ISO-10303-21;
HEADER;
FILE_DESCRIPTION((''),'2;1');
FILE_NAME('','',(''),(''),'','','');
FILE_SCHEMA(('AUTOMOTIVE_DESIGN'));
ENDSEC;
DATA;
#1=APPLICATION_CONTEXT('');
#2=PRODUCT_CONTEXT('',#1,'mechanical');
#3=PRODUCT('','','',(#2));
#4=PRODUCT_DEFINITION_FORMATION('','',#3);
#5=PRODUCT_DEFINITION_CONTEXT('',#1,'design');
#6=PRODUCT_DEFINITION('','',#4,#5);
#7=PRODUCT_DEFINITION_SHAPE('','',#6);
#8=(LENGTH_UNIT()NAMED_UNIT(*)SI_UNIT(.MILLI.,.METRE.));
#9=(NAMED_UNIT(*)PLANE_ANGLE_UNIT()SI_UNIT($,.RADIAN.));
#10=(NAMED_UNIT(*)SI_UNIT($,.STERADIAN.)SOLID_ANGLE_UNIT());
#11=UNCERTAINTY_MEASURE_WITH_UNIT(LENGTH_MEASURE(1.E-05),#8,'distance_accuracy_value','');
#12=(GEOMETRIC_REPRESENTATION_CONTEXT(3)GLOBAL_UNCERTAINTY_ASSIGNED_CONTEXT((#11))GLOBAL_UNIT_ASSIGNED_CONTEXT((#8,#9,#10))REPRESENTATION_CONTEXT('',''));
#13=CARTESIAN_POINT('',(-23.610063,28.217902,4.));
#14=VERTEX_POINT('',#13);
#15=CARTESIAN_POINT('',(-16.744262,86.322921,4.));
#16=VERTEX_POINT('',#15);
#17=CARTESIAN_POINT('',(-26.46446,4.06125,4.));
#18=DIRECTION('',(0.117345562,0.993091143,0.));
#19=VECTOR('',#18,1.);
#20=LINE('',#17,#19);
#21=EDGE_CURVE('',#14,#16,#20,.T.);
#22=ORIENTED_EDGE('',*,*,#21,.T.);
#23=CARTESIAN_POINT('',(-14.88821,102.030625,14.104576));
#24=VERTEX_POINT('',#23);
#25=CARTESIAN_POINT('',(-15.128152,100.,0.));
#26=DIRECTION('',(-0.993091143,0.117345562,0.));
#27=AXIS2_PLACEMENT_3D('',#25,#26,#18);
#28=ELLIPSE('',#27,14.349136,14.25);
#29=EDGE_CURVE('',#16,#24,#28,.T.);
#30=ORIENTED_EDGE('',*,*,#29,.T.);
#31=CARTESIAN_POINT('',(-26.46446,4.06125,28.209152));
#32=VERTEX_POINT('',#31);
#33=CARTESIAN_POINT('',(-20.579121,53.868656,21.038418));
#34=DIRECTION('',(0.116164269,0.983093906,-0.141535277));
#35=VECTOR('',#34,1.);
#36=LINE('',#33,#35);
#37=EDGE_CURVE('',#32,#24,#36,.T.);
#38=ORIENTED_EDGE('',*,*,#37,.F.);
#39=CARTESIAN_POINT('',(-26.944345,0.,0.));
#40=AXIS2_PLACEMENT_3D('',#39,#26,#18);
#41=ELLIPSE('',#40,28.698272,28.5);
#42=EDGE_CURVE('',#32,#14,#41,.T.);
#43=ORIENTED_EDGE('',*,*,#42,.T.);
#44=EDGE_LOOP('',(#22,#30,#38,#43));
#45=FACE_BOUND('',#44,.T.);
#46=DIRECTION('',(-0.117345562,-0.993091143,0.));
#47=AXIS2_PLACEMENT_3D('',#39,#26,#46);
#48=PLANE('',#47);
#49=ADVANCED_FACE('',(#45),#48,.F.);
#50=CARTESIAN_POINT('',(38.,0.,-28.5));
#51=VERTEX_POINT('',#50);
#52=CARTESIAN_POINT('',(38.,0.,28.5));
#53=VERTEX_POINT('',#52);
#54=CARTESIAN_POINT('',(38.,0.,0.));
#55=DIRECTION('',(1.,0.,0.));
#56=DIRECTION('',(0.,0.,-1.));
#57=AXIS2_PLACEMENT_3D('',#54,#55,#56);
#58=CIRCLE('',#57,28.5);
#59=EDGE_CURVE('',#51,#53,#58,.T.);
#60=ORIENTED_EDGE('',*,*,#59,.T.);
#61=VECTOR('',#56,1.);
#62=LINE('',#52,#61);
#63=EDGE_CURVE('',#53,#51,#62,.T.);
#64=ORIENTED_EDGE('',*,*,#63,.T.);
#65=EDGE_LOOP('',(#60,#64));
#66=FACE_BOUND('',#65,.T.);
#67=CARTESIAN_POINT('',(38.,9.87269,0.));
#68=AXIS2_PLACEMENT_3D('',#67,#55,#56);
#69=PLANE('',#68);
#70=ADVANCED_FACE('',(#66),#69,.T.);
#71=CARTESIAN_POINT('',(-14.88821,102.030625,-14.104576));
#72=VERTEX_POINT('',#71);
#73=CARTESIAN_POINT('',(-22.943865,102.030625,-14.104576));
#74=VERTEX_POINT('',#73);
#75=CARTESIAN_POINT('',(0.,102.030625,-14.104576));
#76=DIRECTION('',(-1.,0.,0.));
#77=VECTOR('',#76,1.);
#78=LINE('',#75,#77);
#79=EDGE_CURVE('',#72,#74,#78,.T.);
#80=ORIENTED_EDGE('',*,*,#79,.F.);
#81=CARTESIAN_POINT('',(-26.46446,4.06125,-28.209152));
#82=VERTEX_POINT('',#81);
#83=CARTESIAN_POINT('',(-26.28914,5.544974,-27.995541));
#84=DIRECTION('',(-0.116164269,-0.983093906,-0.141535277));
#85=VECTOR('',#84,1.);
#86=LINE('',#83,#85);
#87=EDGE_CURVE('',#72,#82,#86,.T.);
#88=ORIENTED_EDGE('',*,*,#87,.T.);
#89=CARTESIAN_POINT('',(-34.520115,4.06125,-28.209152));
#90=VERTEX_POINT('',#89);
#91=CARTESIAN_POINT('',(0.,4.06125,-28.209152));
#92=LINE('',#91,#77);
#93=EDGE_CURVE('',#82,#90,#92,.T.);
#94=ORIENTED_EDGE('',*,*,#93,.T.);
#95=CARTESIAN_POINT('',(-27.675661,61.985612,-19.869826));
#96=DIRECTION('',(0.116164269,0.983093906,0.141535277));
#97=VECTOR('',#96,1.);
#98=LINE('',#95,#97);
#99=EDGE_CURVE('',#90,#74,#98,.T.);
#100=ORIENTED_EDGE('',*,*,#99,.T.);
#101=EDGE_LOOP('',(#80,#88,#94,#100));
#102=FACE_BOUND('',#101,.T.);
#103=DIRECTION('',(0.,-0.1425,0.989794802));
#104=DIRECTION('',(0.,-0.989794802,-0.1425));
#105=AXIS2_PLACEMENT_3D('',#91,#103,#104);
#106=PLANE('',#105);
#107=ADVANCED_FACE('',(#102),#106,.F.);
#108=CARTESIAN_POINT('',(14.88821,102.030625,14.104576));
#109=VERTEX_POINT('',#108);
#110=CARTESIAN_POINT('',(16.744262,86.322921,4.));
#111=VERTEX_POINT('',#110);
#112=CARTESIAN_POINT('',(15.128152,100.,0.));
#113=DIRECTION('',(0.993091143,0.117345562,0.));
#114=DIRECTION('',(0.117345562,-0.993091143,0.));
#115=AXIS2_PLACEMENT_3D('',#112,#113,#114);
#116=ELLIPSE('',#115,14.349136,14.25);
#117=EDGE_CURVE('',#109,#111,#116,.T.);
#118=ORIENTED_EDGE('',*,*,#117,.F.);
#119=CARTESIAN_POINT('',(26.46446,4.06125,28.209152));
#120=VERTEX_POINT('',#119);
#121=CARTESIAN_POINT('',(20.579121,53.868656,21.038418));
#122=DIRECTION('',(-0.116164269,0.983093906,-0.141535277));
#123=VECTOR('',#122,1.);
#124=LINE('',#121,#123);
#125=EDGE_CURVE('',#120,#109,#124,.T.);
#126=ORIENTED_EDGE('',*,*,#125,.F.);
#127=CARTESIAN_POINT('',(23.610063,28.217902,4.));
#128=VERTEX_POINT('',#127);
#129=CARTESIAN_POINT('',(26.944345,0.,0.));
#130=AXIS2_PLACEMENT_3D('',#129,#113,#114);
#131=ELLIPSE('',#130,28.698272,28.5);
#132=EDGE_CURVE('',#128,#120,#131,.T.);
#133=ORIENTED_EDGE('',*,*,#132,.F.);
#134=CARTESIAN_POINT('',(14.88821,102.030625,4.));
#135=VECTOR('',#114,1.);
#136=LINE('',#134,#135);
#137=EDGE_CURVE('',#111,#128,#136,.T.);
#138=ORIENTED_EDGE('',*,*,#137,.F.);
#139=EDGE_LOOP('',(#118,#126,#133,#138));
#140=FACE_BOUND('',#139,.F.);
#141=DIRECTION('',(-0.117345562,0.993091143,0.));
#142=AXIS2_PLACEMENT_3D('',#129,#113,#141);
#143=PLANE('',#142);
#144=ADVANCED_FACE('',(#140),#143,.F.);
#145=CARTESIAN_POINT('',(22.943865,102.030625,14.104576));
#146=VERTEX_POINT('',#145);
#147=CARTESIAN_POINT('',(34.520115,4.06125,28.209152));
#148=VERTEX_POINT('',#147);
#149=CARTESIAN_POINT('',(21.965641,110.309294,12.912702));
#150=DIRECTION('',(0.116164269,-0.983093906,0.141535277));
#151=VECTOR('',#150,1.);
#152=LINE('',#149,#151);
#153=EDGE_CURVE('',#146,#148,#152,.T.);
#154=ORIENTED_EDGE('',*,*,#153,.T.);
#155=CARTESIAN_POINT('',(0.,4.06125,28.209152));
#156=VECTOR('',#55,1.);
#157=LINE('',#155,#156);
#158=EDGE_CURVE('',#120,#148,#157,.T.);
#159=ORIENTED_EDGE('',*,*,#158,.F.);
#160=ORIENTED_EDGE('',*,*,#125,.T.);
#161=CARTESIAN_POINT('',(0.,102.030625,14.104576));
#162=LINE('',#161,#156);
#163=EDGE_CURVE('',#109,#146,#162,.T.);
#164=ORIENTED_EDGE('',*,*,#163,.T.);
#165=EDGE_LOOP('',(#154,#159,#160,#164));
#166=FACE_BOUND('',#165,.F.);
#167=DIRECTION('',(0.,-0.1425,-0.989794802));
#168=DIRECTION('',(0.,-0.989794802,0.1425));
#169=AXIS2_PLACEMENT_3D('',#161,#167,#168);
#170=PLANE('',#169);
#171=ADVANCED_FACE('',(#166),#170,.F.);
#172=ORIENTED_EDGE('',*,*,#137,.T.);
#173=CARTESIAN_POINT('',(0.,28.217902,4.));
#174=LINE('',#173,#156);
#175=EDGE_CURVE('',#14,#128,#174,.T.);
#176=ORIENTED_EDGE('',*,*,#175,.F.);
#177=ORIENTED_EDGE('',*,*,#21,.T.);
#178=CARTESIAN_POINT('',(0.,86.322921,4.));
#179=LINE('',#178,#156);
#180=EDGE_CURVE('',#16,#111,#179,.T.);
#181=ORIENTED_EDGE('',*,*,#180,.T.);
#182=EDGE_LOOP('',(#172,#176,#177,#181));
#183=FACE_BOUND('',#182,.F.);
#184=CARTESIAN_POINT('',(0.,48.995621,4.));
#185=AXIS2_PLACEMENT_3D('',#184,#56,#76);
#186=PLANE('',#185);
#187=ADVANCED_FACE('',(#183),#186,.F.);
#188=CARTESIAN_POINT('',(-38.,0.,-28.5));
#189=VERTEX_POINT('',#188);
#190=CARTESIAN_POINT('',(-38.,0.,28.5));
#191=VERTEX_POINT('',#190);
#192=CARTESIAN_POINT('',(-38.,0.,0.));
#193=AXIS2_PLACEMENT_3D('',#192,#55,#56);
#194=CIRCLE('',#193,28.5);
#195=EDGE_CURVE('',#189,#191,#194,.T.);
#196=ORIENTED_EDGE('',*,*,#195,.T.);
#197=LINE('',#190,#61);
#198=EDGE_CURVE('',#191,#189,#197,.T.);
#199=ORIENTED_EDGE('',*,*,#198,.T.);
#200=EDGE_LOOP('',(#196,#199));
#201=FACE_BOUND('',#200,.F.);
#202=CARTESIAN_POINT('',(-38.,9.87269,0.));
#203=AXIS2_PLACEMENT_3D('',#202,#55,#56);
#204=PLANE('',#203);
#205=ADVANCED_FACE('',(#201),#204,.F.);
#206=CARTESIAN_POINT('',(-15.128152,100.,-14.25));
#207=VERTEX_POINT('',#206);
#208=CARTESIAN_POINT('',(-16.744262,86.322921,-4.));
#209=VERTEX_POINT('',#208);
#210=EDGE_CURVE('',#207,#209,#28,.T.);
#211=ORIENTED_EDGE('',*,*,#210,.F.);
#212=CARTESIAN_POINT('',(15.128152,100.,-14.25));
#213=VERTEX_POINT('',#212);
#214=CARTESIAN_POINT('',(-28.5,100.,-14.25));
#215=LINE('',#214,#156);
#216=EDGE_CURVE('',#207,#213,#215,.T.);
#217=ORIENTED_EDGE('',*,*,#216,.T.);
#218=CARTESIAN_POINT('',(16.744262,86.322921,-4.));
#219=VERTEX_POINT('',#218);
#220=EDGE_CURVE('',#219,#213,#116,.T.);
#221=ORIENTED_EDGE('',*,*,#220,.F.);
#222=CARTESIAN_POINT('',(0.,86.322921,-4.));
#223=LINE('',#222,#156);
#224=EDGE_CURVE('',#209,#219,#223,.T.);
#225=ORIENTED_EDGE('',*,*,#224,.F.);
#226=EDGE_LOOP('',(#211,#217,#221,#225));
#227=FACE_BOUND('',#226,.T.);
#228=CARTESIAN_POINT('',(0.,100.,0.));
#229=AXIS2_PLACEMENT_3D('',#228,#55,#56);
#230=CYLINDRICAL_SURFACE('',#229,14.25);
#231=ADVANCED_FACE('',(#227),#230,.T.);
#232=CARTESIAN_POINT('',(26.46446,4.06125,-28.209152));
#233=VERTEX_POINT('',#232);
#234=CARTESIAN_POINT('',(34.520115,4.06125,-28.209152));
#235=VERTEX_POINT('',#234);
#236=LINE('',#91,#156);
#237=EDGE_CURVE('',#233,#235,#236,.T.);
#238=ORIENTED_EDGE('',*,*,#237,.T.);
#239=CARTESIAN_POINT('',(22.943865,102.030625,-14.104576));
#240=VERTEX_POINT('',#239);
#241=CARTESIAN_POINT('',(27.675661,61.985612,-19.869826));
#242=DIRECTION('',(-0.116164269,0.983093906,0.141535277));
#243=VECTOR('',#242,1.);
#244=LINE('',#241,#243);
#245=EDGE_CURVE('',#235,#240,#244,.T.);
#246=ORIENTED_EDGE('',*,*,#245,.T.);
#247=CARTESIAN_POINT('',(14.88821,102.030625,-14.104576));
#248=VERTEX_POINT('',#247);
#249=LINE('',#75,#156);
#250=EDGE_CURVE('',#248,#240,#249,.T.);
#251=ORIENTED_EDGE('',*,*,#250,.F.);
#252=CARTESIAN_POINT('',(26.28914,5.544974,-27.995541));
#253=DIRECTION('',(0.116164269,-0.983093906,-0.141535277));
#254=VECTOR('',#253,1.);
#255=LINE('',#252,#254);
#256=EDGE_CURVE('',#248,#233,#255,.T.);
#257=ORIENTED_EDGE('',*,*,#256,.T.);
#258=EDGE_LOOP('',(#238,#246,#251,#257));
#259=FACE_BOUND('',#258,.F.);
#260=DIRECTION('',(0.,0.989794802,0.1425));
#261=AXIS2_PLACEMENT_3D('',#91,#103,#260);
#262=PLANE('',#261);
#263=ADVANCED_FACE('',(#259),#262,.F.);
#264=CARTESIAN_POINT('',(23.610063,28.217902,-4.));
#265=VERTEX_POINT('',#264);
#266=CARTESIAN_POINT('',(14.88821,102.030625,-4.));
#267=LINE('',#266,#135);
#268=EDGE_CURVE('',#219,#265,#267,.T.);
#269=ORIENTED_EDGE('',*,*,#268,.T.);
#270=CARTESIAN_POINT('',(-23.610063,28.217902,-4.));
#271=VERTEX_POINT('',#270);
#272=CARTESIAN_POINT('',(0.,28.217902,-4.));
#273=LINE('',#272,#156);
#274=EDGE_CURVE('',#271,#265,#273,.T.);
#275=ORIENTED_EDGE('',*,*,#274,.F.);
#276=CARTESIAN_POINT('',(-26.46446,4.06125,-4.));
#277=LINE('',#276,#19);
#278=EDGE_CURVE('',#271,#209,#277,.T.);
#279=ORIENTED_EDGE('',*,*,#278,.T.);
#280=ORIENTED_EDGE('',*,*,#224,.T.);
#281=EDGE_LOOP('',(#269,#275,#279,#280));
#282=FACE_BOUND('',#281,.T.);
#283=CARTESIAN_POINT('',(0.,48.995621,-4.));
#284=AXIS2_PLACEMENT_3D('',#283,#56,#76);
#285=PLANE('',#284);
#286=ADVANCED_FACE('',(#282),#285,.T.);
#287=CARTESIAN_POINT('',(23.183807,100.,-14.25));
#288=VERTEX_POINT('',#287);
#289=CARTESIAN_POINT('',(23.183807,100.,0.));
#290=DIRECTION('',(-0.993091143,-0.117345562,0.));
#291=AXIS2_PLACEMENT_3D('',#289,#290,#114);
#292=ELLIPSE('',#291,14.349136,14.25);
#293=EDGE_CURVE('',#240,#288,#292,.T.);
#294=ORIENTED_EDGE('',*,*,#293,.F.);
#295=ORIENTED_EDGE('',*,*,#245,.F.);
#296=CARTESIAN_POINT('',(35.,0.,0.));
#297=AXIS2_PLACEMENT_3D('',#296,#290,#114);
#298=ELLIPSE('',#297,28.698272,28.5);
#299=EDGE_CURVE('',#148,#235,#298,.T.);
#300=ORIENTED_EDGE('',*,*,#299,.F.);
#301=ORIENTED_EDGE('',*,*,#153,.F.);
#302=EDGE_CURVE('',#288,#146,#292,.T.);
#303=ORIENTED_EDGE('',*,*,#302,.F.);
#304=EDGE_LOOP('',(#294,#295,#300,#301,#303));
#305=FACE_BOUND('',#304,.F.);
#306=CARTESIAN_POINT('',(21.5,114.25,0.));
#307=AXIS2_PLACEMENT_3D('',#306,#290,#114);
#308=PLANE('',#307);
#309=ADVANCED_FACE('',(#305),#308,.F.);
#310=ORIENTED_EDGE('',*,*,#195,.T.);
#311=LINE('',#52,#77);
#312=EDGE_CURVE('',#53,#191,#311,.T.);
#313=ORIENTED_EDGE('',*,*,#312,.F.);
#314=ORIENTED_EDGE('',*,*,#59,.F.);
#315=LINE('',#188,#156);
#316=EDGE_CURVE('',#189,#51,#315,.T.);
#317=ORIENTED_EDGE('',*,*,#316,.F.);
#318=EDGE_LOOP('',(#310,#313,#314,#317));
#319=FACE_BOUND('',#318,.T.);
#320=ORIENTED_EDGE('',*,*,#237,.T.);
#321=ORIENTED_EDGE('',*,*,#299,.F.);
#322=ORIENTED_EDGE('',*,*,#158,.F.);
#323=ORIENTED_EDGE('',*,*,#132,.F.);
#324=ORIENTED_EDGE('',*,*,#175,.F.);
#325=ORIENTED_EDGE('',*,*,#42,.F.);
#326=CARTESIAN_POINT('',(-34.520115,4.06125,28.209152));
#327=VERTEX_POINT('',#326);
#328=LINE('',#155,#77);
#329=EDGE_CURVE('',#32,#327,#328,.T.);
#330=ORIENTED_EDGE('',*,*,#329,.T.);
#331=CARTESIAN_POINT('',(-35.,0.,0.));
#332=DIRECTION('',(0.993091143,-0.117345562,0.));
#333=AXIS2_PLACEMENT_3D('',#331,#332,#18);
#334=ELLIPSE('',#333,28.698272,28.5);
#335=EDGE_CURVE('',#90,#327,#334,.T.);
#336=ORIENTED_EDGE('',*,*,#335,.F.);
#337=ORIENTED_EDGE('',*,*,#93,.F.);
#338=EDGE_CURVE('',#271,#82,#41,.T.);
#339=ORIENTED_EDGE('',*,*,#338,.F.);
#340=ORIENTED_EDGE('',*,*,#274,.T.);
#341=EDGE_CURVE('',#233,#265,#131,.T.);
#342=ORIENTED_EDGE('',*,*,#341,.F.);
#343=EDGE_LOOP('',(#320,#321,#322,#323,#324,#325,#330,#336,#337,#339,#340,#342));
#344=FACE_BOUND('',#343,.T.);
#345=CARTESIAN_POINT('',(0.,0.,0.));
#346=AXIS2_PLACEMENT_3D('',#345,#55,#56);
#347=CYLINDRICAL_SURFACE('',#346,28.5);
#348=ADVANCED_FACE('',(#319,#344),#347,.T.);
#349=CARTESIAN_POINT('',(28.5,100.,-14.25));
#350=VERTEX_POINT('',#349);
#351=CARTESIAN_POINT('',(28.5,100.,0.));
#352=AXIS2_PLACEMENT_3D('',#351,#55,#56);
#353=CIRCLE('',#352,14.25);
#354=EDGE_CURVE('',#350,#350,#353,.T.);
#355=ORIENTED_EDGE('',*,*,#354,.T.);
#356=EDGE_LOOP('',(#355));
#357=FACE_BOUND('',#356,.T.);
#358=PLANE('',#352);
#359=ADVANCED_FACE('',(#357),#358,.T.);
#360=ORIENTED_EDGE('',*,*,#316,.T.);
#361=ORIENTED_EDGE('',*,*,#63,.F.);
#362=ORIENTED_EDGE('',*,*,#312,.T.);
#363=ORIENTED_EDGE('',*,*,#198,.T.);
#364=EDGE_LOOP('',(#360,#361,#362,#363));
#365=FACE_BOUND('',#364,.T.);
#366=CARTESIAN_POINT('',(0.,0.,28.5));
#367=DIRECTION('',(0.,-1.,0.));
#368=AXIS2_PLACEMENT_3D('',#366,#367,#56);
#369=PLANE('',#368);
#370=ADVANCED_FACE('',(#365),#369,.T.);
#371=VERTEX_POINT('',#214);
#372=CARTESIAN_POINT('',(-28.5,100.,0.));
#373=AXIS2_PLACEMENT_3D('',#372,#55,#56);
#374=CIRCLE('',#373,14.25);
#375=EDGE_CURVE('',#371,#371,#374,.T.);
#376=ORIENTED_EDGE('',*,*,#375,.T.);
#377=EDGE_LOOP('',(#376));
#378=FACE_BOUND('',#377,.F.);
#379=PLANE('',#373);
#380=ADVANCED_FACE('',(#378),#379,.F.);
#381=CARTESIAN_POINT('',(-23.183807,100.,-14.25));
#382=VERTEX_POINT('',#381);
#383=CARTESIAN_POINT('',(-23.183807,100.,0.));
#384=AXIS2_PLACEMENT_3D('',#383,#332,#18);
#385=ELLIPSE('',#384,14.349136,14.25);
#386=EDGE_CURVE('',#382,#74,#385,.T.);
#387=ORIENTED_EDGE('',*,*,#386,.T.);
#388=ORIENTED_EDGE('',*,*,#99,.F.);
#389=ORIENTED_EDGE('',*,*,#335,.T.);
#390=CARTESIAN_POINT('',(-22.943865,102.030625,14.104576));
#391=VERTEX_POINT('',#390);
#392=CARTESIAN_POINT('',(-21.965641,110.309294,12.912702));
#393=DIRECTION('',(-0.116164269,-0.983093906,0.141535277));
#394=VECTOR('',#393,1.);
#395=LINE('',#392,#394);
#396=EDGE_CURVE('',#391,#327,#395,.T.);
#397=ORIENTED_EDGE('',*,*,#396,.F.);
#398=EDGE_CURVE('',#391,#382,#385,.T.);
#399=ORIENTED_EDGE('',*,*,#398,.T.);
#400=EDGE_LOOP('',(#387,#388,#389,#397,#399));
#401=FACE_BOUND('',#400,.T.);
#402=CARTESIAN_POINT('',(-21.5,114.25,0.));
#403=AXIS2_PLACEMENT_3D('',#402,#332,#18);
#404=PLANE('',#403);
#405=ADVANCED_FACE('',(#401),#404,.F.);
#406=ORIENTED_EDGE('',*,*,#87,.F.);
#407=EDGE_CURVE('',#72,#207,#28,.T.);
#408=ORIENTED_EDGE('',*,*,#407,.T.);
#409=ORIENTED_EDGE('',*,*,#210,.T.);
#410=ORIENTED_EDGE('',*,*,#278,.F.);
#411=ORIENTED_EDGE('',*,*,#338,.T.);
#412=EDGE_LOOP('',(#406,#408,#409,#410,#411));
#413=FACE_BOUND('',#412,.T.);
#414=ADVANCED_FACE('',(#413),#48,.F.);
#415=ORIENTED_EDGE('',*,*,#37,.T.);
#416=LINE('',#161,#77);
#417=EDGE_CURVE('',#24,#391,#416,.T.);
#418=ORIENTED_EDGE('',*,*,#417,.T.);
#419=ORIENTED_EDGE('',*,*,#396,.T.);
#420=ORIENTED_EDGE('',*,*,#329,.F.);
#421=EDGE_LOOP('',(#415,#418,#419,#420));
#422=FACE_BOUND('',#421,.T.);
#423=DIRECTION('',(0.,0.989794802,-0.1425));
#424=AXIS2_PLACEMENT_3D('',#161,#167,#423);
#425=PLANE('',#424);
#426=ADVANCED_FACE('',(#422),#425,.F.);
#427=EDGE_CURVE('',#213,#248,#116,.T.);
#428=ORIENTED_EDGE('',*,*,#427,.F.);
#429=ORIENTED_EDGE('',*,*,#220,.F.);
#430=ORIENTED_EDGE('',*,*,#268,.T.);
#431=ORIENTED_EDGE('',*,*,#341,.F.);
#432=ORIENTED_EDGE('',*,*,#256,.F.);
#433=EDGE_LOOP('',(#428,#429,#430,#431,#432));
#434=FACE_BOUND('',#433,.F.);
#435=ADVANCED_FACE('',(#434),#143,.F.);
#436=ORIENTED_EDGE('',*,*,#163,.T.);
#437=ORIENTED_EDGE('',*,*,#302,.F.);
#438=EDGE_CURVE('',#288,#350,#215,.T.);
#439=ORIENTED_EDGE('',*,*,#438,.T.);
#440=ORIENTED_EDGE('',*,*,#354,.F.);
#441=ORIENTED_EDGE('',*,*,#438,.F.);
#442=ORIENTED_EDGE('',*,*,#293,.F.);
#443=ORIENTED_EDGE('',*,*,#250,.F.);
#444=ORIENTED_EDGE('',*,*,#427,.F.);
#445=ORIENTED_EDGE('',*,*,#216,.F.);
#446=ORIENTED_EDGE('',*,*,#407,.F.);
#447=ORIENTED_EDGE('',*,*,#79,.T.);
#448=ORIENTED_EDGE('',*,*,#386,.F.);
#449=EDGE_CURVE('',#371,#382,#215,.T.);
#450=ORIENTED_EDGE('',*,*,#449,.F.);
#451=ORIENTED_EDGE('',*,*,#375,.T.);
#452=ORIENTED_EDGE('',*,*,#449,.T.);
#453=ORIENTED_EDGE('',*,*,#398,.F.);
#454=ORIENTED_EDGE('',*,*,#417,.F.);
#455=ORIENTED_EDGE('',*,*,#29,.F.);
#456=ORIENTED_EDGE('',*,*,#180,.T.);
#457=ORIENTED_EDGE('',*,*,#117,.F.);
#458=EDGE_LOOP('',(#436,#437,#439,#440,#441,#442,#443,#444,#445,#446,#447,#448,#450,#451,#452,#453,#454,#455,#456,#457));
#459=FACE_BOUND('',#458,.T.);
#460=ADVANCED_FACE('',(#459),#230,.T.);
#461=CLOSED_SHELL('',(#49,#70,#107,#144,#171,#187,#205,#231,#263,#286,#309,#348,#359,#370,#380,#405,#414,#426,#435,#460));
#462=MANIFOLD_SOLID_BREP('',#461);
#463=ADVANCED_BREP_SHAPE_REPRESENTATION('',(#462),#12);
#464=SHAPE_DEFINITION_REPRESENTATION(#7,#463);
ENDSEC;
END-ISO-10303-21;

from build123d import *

# Parameters (mm, degrees)
SKETCH1_R                = 14.25
BOSS_EXTRUDE1_DEPTH      = 28.5
BOSS_EXTRUDE2_DEPTH      = 38
BOSS_EXTRUDE3_DEPTH      = 28.5
BOSS_EXTRUDE3_DEPTH_BACK = 28.5
SKETCH3_OUTSIDE_W        = 88.718
SKETCH3_OUTSIDE_H        = 145.968
CUT_EXTRUDE1_DEPTH       = 39
BOSS_EXTRUDE5_DEPTH      = 4


with BuildPart() as part:
    # Sketch1 → Boss-Extrude1 (new body, symmetric)
    with BuildSketch(Plane(origin=(0, 0, 0), x_dir=(0, 0, -1), z_dir=(1, 0, 0))):
        with Locations((0, 100)):
            Circle(SKETCH1_R)
    extrude(amount=BOSS_EXTRUDE1_DEPTH, both=True)



with BuildPart() as body_2:
    # Sketch1<3> → Boss-Extrude2 (new body, symmetric)
    with BuildSketch(Plane(origin=(0, 0, 0), x_dir=(0, 0, -1), z_dir=(1, 0, 0))):
        with BuildLine():
            Line((-28.5, 0), (28.5, 0))
            ThreePointArc((28.5, 0), (0, 28.5), (-28.5, 0))
        make_face()
    extrude(amount=BOSS_EXTRUDE2_DEPTH, both=True)


with BuildPart() as body_3:
    # Sketch2 → Boss-Extrude3 (new body, two sides)
    with BuildSketch(Plane.XY) as boss_extrude3_sk:
        Polygon((13.444344632, 114.25), (21.5, 114.25), (35, 0), (26.944344632, 0), align=None)
    extrude(amount=BOSS_EXTRUDE3_DEPTH)
    extrude(boss_extrude3_sk.sketch, amount=-BOSS_EXTRUDE3_DEPTH_BACK)

    # Sketch3 outside → Cut-Extrude1 (cut, through all)
    with BuildSketch(Plane(origin=(0, 0, 0), x_dir=(0, 0, -1), z_dir=(1, 0, 0))):
        with Locations((0, 57.125)):
            Rectangle(SKETCH3_OUTSIDE_W, SKETCH3_OUTSIDE_H)
        Polygon((14.104575928, 102.030625), (-14.104575928, 102.030625), (-28.209151856, 4.06125), (28.209151856, 4.06125), align=None, mode=Mode.SUBTRACT)
    extrude(amount=CUT_EXTRUDE1_DEPTH, mode=Mode.SUBTRACT)


with BuildPart() as body_4:
    # Mirror1: mirrored copy
    add(body_3.part.mirror(Plane(origin=(0, 0, 0), x_dir=(0, 0, 1), z_dir=(1, 0, 0))))


with BuildPart() as part_1:
    add(part.part)

    add(body_2.part)  # Boss-Extrude5 merges body 2

    add(body_3.part)  # Boss-Extrude5 merges body 3

    add(body_4.part)  # Boss-Extrude5 merges body 4
    # Sketch4 → Boss-Extrude5 (add, symmetric)
    with BuildSketch(Plane.XY):
        Polygon((-14.888209512, 102.030625), (14.888209512, 102.030625), (26.464459512, 4.06125), (-26.464459512, 4.06125), align=None)
    extrude(amount=BOSS_EXTRUDE5_DEPTH, both=True)


solid = part_1.part
